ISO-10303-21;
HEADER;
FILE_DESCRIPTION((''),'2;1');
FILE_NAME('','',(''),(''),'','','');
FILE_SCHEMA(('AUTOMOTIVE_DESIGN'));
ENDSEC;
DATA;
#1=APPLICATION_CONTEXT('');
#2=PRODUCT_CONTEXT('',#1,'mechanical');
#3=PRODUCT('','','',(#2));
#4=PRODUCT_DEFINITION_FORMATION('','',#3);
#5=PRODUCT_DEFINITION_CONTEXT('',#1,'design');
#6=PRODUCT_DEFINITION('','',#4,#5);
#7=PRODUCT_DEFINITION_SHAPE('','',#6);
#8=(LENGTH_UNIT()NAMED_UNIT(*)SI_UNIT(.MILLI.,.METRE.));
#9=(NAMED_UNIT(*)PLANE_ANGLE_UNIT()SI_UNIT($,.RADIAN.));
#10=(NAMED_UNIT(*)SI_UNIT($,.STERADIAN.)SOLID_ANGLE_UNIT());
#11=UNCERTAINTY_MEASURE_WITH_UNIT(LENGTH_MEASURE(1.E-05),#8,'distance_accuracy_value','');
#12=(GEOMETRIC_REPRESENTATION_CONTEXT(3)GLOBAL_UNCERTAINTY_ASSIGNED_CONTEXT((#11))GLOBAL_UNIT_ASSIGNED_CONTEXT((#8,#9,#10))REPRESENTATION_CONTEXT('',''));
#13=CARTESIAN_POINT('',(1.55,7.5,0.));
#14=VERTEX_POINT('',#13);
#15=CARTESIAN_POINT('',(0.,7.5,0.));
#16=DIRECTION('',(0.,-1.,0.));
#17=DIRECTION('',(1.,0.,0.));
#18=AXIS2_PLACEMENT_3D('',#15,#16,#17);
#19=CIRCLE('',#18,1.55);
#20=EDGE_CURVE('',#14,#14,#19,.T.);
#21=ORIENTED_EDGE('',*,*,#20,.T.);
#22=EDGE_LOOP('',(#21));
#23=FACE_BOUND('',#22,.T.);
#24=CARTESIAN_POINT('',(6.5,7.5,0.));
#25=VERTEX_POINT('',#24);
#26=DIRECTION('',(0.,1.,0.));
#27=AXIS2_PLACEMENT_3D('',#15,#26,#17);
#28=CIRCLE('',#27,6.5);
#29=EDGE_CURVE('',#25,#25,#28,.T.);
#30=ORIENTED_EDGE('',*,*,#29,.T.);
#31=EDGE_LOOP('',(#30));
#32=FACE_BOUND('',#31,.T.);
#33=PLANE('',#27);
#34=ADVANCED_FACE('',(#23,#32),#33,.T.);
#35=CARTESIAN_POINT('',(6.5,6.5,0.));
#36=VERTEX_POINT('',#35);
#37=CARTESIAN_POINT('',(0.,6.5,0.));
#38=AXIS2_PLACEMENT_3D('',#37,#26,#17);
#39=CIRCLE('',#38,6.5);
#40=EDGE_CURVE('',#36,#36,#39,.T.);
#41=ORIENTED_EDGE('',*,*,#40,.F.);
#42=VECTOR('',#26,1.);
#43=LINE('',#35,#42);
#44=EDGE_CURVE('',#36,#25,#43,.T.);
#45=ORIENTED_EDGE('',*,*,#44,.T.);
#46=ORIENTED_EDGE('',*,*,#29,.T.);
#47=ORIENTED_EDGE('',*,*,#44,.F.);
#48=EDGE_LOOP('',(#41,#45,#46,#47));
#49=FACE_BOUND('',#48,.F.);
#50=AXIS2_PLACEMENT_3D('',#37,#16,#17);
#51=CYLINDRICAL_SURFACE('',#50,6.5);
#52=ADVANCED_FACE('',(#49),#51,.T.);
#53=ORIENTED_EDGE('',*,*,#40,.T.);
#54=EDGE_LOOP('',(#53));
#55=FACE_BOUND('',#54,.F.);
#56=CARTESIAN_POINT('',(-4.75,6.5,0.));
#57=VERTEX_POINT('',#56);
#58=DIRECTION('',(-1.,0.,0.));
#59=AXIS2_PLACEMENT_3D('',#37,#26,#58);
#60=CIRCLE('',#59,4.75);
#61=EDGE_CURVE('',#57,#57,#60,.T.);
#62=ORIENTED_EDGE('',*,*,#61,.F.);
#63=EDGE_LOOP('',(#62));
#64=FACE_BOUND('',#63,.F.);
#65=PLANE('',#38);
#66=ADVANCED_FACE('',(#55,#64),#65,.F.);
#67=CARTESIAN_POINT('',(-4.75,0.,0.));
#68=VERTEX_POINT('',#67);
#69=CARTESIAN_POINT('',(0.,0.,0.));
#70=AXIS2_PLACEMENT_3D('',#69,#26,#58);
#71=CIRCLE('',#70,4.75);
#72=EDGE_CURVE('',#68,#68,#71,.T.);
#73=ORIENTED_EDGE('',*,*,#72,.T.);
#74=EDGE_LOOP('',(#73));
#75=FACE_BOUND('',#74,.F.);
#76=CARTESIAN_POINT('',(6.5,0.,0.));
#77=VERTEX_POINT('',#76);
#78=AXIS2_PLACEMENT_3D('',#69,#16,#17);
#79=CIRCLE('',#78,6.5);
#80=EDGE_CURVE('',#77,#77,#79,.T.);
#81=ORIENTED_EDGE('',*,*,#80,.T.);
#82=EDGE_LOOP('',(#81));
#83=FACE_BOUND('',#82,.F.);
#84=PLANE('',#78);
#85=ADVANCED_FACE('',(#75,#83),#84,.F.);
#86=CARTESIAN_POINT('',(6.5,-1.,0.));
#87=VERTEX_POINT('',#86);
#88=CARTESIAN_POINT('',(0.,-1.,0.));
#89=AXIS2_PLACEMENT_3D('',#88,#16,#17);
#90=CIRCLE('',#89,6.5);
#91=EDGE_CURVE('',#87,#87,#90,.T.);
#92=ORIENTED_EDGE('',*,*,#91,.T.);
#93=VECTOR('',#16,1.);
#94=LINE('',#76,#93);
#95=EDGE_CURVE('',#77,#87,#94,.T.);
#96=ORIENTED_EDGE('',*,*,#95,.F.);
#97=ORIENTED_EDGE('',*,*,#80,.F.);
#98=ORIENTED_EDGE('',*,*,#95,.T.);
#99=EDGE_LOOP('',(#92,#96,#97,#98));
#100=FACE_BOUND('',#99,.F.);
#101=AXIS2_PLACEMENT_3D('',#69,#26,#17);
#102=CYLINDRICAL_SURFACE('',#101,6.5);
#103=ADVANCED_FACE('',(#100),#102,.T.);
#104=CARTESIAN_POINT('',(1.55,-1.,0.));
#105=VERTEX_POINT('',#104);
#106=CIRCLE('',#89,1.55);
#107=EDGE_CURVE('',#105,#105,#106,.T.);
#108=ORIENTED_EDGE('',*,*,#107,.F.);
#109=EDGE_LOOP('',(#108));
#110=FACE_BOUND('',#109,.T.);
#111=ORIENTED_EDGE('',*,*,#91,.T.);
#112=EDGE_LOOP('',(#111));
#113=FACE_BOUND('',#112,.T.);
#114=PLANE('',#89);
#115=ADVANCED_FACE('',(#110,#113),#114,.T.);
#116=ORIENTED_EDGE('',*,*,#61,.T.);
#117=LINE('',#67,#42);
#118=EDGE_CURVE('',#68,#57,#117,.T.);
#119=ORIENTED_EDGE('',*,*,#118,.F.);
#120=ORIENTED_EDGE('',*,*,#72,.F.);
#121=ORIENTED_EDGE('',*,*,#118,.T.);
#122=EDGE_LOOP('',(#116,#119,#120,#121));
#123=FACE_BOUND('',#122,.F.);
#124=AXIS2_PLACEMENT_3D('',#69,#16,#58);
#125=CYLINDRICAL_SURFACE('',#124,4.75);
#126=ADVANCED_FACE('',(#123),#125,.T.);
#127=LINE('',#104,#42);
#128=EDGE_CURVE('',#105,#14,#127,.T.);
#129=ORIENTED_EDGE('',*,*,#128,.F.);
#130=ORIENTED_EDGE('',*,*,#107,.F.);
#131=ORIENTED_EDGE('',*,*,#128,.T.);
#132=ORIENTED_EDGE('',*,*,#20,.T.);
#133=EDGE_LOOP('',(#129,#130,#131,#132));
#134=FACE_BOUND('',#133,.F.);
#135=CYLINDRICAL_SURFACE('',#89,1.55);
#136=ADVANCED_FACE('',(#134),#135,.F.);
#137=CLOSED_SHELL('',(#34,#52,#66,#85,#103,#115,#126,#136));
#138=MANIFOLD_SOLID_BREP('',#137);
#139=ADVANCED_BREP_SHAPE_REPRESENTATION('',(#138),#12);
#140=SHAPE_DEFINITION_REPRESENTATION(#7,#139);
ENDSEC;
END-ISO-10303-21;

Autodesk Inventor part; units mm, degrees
ref_plane "YZ Plane" through (0, 0, 0) normal (1, 0, 0) x (0, 1, 0)
ref_plane "XZ Plane" through (0, 0, 0) normal (0, 1, 0) x (-1, 0, 0)
ref_plane "XY Plane" through (0, 0, 0) normal (0, 0, 1) x (1, 0, 0)
sketch "Boceto1" plane through (0, 0, 0) normal (0, 1, 0) x (-1, 0, 0)
  circle A0 centre (0, 0) radius 4.75
  dimension "d0" = 9.5
extrude "Extrusión1" add sketch "Boceto1" along normal blind 6.5
sketch "Boceto2" plane through (0, 6.5, 0) normal (0, 1, 0) x (1, 0, 0)
  circle A0 centre (0, 0) radius 4.75 projected
  circle A1 centre (0, 0) radius 6.5
  dimension "d3" = 13
extrude "Extrusión2" add sketch "Boceto2" along normal blind 1 contours A0 | A1
sketch "Boceto3" plane through (0, 0, 0) normal (0, -1, 0) x (1, 0, 0)
  circle A0 centre (0, 0) radius 6.5
extrude "Extrusión3" add sketch "Boceto3" along normal blind 1
sketch "Boceto4" plane through (0, -1, 0) normal (0, -1, 0) x (1, 0, 0)
  circle A0 centre (0, 0) radius 1.55
  dimension "d8" = 3.1
extrude "Extrusión4" cut sketch "Boceto4" against normal through all
properties part number "Polea Lisa" material "Acero inoxidable"
